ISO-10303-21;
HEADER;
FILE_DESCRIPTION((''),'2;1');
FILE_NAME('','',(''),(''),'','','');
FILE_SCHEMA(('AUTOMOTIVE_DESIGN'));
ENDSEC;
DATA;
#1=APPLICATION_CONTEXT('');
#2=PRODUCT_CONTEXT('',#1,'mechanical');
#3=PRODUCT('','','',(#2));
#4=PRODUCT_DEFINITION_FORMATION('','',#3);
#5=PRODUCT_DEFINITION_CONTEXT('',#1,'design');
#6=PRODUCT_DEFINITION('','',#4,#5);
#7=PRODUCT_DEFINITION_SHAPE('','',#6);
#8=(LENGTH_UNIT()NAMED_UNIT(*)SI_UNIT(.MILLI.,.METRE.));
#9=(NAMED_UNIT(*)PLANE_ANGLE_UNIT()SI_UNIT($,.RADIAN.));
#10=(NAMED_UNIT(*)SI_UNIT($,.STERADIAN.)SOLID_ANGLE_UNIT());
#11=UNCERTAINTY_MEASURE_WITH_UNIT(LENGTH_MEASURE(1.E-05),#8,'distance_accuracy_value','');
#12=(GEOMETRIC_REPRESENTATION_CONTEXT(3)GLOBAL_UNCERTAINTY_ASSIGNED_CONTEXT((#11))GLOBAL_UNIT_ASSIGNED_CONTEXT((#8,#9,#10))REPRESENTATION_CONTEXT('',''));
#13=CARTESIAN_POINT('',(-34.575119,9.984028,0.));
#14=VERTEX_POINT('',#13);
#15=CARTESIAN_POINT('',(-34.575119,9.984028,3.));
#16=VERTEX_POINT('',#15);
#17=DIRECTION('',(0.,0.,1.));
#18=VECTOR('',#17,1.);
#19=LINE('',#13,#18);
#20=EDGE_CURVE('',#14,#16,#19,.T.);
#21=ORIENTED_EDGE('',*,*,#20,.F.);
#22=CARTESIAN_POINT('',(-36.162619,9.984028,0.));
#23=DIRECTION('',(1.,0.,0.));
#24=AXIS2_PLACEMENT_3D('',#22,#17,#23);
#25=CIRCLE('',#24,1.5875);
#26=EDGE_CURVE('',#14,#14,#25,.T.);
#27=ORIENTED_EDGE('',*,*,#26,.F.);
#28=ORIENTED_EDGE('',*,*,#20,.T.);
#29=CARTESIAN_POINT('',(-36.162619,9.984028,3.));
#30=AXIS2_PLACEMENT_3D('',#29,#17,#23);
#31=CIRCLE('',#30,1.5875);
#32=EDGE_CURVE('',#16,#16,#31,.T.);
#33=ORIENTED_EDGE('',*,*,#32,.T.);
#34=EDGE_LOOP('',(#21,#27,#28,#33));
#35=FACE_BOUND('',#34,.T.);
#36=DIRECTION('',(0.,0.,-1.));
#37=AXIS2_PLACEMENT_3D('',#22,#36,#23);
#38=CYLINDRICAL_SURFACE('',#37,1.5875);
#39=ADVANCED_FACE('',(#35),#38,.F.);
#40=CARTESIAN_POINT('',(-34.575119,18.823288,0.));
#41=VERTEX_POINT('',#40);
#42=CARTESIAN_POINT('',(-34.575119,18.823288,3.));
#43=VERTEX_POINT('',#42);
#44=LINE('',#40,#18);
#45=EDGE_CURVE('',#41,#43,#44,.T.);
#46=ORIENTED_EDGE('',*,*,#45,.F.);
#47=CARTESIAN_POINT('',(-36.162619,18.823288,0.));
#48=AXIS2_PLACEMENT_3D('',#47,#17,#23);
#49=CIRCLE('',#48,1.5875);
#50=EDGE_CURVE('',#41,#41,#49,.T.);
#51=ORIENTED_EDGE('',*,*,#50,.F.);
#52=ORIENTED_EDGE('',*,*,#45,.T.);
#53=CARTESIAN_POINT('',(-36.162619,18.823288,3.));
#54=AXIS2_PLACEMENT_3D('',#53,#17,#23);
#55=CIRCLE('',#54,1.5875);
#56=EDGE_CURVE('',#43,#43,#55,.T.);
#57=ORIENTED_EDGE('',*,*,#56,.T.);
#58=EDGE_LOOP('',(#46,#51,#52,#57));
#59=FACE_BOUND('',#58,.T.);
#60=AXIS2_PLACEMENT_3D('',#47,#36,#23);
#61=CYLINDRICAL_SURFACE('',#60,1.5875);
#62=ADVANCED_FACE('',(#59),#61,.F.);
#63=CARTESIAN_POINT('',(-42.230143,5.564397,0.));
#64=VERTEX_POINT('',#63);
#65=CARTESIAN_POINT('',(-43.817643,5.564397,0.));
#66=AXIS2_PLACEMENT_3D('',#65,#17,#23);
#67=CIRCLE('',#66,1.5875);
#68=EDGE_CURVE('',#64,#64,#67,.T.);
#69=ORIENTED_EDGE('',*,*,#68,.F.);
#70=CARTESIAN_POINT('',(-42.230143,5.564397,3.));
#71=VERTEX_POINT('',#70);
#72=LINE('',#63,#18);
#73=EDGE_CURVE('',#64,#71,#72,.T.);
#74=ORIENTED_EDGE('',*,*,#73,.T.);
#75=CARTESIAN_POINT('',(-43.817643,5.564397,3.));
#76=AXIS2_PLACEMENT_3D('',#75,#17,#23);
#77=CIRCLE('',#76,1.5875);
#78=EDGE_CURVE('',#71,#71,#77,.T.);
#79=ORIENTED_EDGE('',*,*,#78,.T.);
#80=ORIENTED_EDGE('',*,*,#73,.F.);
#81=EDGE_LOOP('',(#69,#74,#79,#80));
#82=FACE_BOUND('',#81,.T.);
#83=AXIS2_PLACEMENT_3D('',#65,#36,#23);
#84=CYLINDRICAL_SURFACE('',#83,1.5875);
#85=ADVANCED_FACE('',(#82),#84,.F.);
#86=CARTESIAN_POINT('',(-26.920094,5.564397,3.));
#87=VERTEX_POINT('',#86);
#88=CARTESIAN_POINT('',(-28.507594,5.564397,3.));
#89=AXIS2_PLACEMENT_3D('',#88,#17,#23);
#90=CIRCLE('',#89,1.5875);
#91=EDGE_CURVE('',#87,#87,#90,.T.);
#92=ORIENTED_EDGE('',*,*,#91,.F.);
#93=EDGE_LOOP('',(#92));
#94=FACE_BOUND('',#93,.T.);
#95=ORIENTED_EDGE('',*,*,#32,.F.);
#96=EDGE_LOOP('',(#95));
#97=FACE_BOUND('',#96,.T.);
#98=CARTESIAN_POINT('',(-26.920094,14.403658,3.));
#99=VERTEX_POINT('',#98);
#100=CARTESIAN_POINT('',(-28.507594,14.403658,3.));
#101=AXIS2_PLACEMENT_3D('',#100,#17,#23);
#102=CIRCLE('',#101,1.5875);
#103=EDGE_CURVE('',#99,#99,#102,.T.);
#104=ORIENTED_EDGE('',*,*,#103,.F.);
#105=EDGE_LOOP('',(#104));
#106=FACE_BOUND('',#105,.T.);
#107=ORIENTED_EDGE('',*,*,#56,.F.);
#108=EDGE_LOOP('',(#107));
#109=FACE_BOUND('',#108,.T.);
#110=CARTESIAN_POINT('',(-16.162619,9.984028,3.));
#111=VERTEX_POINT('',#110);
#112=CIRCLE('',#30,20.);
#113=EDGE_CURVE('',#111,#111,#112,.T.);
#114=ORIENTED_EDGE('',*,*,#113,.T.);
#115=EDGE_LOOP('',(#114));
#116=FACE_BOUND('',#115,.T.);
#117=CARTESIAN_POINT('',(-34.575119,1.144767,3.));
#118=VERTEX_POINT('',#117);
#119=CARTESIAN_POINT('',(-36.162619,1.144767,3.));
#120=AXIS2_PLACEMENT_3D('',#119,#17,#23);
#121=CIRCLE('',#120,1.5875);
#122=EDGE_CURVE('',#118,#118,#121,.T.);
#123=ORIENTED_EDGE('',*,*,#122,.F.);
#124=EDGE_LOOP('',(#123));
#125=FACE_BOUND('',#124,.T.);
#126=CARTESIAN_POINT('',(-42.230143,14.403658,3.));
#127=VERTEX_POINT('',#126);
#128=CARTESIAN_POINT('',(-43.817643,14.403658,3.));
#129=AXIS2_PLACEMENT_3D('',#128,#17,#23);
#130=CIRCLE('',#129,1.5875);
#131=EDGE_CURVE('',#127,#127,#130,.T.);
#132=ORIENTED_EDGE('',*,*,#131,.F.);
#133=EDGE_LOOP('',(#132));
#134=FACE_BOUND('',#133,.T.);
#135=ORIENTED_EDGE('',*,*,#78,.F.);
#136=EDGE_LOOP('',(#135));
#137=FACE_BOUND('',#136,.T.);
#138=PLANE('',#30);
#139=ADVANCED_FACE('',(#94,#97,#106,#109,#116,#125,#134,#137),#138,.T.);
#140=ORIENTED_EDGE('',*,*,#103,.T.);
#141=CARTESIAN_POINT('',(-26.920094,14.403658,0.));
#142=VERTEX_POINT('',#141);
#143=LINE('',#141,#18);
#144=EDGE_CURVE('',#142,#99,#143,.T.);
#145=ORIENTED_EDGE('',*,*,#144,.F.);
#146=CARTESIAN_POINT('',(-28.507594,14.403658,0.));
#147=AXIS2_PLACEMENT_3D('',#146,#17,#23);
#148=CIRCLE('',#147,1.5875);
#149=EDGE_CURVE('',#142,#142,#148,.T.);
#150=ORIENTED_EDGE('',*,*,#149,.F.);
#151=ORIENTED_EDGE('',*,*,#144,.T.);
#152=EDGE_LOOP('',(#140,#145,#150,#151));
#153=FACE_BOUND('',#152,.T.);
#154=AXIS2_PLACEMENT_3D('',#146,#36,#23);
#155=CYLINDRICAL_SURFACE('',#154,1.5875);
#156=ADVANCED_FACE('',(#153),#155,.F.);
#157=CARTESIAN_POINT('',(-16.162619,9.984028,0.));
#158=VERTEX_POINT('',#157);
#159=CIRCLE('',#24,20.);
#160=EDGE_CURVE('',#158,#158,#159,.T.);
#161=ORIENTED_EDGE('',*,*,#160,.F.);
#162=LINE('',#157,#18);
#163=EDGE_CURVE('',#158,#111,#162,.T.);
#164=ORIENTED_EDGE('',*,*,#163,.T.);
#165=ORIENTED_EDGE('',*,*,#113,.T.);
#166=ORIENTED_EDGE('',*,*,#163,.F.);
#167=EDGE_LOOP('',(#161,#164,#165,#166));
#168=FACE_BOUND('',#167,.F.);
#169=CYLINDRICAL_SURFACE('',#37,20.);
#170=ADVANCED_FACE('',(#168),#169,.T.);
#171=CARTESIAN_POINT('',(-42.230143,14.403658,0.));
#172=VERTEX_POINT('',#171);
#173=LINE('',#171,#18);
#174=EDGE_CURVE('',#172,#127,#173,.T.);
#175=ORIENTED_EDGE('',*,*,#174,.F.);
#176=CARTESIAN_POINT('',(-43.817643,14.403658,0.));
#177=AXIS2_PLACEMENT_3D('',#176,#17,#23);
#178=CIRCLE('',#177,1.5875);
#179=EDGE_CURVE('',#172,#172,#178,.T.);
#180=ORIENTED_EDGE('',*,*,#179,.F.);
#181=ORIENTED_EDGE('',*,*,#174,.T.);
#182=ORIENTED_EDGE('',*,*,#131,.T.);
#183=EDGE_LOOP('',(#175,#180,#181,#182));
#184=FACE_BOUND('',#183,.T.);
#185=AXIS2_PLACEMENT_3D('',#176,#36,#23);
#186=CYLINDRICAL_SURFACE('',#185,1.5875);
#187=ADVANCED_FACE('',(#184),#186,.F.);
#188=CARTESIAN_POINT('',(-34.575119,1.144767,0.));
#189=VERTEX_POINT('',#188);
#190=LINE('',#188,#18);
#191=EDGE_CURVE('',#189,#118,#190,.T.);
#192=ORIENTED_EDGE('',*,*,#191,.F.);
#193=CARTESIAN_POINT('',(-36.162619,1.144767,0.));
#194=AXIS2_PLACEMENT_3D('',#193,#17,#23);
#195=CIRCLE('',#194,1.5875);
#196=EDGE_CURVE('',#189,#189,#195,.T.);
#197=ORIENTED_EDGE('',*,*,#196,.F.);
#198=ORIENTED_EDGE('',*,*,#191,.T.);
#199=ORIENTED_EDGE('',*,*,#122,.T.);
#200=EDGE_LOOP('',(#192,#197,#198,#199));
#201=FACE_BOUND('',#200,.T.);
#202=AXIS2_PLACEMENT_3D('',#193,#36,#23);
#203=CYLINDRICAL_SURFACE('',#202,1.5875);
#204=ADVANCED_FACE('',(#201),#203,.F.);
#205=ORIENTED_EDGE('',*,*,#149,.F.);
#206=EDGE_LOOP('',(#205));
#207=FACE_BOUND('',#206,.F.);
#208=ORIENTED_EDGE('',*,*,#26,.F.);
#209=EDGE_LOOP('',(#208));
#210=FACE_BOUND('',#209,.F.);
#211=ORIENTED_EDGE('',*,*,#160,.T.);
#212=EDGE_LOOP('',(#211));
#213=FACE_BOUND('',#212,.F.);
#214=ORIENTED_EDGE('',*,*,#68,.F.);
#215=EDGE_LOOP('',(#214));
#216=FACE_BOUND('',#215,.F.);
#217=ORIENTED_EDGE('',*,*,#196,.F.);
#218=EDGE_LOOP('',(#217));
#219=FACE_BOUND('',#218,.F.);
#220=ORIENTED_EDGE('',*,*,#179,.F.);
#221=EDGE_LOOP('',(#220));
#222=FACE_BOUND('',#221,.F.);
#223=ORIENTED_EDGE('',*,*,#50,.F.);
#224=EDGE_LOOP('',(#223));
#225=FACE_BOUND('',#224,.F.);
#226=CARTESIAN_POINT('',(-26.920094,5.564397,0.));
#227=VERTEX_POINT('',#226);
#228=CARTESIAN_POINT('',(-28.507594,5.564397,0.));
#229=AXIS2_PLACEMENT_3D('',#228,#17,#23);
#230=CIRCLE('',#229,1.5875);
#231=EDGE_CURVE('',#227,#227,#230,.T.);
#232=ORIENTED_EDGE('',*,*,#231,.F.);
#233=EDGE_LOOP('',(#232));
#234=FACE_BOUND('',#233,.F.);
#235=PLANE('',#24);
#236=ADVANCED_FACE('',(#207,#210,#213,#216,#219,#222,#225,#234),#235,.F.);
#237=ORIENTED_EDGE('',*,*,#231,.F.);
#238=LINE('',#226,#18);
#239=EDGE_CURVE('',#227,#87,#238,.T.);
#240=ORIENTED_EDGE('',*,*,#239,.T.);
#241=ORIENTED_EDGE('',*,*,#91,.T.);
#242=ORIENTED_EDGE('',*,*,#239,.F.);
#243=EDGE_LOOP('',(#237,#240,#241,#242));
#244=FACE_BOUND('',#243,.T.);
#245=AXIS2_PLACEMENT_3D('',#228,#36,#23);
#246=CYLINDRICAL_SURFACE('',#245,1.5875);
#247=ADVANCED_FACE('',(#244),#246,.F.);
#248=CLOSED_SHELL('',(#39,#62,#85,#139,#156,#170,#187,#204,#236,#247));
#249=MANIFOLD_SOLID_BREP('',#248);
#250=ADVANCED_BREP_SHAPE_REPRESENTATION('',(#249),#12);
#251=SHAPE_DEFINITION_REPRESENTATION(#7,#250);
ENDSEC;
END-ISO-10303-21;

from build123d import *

# Parameters (mm, degrees)
F0_R     = 20
F0_R_2   = 1.5875
F1_DEPTH = 3


with BuildPart() as f1:
    # F0 (on Top) → F1 (new body)
    with BuildSketch(Plane.XY):
        with Locations((-36.162619, 9.984028)):
            Circle(F0_R)
        with Locations((-43.817643, 5.564397)):
            Circle(F0_R_2, mode=Mode.SUBTRACT)
        with Locations((-36.162619, 1.144767)):
            Circle(F0_R_2, mode=Mode.SUBTRACT)
        with Locations((-28.507594, 5.564397)):
            Circle(F0_R_2, mode=Mode.SUBTRACT)
        with Locations((-43.817643, 14.403658)):
            Circle(F0_R_2, mode=Mode.SUBTRACT)
        with Locations((-36.162619, 9.984028)):
            Circle(F0_R_2, mode=Mode.SUBTRACT)
        with Locations((-28.507594, 14.403658)):
            Circle(F0_R_2, mode=Mode.SUBTRACT)
        with Locations((-36.162619, 18.823288)):
            Circle(F0_R_2, mode=Mode.SUBTRACT)
    extrude(amount=F1_DEPTH)


solid = f1.part
